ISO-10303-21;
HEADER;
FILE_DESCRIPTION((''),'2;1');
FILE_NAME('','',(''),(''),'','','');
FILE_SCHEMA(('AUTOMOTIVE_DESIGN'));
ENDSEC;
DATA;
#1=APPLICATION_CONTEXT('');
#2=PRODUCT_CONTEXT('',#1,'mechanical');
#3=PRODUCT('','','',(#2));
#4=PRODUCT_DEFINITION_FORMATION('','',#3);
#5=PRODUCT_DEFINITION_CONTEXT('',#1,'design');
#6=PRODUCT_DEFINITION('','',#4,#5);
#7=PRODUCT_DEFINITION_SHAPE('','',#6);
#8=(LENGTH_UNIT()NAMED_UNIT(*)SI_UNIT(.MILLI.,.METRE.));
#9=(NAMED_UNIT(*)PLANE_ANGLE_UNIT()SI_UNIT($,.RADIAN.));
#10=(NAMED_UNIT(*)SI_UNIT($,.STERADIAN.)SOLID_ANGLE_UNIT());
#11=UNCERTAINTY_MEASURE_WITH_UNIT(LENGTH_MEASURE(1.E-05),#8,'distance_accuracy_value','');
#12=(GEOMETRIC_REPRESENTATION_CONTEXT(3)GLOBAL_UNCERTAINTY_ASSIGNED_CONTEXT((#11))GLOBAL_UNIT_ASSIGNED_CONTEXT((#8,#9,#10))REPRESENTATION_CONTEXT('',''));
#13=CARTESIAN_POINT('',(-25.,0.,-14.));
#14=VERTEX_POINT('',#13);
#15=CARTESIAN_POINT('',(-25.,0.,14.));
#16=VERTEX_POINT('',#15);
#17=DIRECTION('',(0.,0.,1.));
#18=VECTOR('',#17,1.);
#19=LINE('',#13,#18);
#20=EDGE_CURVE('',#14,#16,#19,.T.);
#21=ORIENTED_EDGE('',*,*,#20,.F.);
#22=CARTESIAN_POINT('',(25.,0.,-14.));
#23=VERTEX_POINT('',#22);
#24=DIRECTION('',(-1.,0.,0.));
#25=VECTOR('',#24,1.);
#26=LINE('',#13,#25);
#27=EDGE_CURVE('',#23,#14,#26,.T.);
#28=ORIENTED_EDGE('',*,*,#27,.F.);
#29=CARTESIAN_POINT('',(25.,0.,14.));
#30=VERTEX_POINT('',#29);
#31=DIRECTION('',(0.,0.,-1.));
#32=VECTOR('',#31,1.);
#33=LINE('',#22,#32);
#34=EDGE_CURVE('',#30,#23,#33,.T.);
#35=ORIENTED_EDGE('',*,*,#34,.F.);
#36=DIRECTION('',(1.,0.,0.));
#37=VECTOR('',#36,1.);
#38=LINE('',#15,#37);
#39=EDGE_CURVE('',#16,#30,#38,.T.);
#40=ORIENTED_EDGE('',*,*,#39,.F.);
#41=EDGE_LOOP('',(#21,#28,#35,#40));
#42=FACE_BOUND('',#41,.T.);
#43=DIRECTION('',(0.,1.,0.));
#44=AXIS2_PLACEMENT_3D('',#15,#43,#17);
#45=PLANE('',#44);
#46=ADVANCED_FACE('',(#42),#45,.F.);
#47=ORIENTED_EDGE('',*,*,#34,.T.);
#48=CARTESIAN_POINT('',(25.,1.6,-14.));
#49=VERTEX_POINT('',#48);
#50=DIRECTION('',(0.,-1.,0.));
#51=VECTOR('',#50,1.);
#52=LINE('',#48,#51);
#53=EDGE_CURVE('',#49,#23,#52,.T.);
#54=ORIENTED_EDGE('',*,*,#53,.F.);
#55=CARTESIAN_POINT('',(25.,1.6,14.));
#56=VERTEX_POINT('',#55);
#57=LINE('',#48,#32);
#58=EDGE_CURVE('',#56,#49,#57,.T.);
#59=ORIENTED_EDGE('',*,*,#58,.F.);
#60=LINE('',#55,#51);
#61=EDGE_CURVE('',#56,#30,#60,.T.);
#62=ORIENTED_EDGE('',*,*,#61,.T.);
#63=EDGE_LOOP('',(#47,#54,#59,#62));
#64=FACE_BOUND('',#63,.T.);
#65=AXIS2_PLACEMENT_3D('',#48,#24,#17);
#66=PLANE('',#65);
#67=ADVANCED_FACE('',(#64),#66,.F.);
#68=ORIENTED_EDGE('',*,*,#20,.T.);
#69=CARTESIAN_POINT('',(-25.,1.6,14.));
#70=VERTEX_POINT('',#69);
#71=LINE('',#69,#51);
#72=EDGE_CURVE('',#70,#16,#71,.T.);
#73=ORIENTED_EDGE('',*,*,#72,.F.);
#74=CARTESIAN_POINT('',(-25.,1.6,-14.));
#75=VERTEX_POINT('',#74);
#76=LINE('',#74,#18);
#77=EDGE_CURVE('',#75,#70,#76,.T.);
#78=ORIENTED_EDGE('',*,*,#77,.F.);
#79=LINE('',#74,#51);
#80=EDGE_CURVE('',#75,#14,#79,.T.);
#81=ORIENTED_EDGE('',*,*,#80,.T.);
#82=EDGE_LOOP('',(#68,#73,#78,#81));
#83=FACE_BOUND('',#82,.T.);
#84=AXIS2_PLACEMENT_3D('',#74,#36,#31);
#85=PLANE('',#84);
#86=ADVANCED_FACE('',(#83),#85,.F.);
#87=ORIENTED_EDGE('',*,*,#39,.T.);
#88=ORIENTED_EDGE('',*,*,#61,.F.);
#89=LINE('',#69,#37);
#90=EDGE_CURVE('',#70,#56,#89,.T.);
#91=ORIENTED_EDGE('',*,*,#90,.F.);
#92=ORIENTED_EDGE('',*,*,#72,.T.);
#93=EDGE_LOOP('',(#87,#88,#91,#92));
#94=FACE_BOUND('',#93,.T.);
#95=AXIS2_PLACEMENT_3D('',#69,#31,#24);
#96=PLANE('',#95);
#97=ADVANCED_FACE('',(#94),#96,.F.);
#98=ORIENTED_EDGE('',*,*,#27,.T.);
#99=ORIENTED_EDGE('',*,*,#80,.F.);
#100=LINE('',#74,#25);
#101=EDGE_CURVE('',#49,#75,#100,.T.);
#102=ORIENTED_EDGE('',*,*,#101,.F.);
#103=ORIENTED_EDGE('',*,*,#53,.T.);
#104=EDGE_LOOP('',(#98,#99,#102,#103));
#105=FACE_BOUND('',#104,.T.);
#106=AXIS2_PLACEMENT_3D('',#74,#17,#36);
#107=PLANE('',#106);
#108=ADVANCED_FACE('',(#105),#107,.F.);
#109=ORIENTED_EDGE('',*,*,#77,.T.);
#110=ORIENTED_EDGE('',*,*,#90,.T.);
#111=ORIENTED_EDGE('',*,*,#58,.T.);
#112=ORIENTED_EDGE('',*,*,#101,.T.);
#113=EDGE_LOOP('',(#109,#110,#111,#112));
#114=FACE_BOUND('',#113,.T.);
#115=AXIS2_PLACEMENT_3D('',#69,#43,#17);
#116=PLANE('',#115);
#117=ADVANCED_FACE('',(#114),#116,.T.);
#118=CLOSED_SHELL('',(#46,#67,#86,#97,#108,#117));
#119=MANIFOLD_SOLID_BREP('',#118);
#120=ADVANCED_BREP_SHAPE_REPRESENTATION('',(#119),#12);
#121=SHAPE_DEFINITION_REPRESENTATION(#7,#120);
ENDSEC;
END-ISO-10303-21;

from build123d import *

# Parameters (mm, degrees)
SKETCH1_W      = 50
SKETCH1_H      = 28
EXTRUDE1_DEPTH = 1.6


with BuildPart() as part:
    # Sketch1 → Extrude1 (new body)
    with BuildSketch(Plane(origin=(0, 0, 0), x_dir=(1, 0, 0), z_dir=(0, 1, 0))):
        Rectangle(SKETCH1_W, SKETCH1_H)
    extrude(amount=EXTRUDE1_DEPTH)


solid = part.part
